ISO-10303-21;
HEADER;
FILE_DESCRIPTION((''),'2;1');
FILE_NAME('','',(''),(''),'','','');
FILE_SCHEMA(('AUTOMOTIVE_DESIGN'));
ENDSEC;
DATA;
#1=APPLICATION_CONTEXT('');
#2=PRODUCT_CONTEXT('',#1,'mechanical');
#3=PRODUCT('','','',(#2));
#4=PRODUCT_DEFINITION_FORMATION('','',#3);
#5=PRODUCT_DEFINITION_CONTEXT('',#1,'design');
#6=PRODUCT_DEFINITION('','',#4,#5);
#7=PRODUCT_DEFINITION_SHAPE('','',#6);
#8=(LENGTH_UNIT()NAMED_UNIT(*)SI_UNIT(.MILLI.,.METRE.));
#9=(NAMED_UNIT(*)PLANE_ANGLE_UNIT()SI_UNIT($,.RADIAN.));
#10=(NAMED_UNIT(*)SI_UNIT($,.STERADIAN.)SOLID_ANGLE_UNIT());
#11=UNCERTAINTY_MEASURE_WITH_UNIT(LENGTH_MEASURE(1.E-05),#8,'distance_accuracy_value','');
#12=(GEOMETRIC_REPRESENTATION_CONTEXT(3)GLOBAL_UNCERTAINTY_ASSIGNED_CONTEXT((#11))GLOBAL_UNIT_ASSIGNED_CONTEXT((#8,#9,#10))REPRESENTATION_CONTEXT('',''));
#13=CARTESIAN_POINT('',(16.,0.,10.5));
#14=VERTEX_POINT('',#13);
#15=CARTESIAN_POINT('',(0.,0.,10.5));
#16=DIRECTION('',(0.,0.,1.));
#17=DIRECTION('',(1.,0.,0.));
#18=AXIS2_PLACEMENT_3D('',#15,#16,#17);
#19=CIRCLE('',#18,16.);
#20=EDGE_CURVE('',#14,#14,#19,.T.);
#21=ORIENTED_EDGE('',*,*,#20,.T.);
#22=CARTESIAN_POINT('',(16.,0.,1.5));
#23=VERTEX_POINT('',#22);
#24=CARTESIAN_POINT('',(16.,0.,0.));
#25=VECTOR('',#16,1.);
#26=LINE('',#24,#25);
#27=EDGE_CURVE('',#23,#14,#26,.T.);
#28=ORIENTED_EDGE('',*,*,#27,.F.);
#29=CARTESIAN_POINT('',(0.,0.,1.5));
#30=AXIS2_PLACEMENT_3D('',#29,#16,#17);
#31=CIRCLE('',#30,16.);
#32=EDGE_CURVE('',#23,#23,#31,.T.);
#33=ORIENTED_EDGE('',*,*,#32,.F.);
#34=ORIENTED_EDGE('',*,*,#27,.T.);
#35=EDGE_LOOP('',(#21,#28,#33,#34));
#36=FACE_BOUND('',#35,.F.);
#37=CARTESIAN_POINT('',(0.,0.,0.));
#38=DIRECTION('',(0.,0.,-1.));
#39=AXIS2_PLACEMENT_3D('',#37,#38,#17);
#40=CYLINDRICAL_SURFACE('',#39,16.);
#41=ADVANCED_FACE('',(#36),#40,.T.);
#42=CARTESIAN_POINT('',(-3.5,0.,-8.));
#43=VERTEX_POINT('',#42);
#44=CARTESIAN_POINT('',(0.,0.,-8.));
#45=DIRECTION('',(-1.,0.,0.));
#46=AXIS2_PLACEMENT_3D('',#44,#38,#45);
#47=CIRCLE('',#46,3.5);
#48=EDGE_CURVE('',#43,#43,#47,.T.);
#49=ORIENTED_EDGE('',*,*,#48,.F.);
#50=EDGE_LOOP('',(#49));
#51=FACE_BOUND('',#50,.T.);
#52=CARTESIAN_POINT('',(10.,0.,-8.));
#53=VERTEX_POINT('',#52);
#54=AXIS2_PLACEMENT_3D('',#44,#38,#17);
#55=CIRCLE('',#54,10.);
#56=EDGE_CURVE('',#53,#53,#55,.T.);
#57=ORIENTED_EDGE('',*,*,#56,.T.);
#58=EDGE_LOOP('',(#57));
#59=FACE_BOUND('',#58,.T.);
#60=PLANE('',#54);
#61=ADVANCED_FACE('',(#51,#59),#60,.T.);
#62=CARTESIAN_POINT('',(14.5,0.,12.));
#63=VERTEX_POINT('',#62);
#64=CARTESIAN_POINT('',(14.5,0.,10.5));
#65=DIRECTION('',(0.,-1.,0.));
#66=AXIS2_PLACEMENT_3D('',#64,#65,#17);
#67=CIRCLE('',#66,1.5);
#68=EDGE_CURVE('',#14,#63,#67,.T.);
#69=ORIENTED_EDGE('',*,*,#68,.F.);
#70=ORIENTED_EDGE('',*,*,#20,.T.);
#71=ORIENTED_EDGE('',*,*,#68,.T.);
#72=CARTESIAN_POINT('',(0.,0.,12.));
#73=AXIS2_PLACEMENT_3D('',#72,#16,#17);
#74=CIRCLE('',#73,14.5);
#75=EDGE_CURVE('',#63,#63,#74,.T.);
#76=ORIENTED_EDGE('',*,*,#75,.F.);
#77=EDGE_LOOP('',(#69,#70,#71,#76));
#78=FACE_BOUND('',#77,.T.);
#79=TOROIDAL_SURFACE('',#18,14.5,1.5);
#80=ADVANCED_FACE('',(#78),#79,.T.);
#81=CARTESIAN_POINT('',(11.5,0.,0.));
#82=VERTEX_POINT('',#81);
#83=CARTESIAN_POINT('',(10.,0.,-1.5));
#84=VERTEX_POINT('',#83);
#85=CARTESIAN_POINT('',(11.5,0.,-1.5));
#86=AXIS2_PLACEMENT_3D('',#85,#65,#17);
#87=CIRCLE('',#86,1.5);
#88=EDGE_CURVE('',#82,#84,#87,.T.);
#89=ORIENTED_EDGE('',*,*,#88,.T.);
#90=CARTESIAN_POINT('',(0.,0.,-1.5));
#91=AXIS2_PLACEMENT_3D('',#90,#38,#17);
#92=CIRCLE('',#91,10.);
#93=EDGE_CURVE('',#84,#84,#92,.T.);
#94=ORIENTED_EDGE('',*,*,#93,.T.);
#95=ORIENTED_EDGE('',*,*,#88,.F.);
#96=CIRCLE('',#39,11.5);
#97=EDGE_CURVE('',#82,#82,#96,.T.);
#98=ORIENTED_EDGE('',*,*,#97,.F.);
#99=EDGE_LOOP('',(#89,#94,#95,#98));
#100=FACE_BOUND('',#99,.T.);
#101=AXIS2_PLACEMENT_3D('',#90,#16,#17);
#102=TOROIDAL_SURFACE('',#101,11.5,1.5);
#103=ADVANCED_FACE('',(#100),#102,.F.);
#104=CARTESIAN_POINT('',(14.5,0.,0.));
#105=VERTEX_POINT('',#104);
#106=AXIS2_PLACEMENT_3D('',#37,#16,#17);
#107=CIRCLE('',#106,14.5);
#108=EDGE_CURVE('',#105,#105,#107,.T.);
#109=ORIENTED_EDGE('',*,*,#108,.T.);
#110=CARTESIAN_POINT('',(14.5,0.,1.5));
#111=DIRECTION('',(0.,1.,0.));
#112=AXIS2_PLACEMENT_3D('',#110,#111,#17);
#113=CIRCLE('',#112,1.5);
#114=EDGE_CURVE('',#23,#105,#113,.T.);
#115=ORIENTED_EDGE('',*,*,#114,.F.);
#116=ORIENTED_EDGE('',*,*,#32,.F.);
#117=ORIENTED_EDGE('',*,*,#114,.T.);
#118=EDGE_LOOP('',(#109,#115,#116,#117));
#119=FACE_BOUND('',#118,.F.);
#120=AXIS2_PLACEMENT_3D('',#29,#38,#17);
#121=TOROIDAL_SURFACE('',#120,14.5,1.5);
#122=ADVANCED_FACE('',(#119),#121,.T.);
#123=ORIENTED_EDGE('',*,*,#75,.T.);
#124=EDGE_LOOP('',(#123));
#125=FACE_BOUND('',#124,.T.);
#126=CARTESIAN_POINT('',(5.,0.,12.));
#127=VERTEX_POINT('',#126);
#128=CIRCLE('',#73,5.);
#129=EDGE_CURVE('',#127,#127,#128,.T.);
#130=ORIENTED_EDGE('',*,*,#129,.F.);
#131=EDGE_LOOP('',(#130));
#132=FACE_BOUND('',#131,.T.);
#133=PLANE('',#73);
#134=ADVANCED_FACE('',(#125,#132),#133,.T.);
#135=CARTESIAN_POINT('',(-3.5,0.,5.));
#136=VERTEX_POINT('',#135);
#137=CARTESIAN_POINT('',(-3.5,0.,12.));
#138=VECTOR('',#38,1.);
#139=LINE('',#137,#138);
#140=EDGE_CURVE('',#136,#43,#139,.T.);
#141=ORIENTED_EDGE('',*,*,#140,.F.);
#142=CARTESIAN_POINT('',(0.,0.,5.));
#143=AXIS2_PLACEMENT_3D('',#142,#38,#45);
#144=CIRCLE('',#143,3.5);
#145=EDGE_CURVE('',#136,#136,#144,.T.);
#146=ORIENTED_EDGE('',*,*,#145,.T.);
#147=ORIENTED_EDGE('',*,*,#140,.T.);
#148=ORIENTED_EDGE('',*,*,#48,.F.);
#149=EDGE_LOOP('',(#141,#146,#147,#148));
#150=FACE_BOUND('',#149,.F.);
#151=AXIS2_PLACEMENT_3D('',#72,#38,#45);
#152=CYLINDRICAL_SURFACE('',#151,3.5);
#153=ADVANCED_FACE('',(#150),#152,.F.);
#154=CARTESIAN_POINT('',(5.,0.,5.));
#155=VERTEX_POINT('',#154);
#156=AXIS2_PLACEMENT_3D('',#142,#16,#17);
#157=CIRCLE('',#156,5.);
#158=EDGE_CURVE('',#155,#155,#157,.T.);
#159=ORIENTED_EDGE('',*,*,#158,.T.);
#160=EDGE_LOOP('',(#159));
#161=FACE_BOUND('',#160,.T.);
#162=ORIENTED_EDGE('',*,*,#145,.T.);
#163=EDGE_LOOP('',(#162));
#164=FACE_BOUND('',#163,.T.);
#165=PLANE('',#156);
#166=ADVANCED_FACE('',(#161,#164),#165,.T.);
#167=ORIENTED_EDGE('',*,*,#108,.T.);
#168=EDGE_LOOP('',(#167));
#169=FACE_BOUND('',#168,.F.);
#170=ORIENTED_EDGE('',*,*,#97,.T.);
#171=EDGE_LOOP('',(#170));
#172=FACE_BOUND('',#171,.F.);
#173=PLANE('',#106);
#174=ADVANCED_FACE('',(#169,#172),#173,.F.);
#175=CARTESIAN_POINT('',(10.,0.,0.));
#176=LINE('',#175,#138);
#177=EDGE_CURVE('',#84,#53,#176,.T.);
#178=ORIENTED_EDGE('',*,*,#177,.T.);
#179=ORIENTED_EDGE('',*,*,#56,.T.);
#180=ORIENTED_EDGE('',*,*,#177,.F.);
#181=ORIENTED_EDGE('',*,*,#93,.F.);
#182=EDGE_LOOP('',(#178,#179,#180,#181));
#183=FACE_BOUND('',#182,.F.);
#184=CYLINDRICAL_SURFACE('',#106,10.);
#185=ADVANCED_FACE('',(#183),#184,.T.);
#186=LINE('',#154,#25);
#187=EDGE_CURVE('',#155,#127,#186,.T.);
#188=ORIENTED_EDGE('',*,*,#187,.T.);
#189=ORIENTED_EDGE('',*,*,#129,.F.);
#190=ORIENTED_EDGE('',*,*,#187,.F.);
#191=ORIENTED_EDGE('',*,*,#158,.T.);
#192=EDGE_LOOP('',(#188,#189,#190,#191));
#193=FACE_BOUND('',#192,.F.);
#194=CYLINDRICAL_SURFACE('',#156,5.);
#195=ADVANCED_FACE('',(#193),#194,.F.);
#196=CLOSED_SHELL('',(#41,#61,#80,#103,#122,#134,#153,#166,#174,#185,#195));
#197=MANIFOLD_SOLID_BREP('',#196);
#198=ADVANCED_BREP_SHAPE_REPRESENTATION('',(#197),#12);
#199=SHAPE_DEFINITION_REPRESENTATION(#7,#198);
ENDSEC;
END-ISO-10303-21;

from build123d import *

# Parameters (mm, degrees)
F0_R           = 16
F1_DEPTH       = 12
F2_R           = 10
F3_DEPTH       = 8
F5_D           = 7
F5_CBORE_D     = 10
F5_CBORE_DEPTH = 7
F6_R           = 1.5


with BuildPart() as f1:
    # F0 (on Top) → F1 (new body)
    with BuildSketch(Plane.XY):
        Circle(F0_R)
    extrude(amount=F1_DEPTH)

    # F2 (on face) → F3 (join)
    with BuildSketch(Plane(origin=(0, 0, 0), x_dir=(1, 0, 0), z_dir=(0, 0, -1))):
        Circle(F2_R)
    extrude(amount=F3_DEPTH)

    # F5 (through all)
    with Locations(Plane.XY.offset(12)):
        with Locations((0, 0)):
            CounterBoreHole(F5_D / 2, F5_CBORE_D / 2, F5_CBORE_DEPTH)

    # F6
    f6_edges = [f1.edges().sort_by_distance(p)[0] for p in [
        (-16, 0, 12),
        (-16, 0, 0),
        (-10, 0, 0),
    ]]
    fillet(f6_edges, radius=F6_R)


solid = f1.part
